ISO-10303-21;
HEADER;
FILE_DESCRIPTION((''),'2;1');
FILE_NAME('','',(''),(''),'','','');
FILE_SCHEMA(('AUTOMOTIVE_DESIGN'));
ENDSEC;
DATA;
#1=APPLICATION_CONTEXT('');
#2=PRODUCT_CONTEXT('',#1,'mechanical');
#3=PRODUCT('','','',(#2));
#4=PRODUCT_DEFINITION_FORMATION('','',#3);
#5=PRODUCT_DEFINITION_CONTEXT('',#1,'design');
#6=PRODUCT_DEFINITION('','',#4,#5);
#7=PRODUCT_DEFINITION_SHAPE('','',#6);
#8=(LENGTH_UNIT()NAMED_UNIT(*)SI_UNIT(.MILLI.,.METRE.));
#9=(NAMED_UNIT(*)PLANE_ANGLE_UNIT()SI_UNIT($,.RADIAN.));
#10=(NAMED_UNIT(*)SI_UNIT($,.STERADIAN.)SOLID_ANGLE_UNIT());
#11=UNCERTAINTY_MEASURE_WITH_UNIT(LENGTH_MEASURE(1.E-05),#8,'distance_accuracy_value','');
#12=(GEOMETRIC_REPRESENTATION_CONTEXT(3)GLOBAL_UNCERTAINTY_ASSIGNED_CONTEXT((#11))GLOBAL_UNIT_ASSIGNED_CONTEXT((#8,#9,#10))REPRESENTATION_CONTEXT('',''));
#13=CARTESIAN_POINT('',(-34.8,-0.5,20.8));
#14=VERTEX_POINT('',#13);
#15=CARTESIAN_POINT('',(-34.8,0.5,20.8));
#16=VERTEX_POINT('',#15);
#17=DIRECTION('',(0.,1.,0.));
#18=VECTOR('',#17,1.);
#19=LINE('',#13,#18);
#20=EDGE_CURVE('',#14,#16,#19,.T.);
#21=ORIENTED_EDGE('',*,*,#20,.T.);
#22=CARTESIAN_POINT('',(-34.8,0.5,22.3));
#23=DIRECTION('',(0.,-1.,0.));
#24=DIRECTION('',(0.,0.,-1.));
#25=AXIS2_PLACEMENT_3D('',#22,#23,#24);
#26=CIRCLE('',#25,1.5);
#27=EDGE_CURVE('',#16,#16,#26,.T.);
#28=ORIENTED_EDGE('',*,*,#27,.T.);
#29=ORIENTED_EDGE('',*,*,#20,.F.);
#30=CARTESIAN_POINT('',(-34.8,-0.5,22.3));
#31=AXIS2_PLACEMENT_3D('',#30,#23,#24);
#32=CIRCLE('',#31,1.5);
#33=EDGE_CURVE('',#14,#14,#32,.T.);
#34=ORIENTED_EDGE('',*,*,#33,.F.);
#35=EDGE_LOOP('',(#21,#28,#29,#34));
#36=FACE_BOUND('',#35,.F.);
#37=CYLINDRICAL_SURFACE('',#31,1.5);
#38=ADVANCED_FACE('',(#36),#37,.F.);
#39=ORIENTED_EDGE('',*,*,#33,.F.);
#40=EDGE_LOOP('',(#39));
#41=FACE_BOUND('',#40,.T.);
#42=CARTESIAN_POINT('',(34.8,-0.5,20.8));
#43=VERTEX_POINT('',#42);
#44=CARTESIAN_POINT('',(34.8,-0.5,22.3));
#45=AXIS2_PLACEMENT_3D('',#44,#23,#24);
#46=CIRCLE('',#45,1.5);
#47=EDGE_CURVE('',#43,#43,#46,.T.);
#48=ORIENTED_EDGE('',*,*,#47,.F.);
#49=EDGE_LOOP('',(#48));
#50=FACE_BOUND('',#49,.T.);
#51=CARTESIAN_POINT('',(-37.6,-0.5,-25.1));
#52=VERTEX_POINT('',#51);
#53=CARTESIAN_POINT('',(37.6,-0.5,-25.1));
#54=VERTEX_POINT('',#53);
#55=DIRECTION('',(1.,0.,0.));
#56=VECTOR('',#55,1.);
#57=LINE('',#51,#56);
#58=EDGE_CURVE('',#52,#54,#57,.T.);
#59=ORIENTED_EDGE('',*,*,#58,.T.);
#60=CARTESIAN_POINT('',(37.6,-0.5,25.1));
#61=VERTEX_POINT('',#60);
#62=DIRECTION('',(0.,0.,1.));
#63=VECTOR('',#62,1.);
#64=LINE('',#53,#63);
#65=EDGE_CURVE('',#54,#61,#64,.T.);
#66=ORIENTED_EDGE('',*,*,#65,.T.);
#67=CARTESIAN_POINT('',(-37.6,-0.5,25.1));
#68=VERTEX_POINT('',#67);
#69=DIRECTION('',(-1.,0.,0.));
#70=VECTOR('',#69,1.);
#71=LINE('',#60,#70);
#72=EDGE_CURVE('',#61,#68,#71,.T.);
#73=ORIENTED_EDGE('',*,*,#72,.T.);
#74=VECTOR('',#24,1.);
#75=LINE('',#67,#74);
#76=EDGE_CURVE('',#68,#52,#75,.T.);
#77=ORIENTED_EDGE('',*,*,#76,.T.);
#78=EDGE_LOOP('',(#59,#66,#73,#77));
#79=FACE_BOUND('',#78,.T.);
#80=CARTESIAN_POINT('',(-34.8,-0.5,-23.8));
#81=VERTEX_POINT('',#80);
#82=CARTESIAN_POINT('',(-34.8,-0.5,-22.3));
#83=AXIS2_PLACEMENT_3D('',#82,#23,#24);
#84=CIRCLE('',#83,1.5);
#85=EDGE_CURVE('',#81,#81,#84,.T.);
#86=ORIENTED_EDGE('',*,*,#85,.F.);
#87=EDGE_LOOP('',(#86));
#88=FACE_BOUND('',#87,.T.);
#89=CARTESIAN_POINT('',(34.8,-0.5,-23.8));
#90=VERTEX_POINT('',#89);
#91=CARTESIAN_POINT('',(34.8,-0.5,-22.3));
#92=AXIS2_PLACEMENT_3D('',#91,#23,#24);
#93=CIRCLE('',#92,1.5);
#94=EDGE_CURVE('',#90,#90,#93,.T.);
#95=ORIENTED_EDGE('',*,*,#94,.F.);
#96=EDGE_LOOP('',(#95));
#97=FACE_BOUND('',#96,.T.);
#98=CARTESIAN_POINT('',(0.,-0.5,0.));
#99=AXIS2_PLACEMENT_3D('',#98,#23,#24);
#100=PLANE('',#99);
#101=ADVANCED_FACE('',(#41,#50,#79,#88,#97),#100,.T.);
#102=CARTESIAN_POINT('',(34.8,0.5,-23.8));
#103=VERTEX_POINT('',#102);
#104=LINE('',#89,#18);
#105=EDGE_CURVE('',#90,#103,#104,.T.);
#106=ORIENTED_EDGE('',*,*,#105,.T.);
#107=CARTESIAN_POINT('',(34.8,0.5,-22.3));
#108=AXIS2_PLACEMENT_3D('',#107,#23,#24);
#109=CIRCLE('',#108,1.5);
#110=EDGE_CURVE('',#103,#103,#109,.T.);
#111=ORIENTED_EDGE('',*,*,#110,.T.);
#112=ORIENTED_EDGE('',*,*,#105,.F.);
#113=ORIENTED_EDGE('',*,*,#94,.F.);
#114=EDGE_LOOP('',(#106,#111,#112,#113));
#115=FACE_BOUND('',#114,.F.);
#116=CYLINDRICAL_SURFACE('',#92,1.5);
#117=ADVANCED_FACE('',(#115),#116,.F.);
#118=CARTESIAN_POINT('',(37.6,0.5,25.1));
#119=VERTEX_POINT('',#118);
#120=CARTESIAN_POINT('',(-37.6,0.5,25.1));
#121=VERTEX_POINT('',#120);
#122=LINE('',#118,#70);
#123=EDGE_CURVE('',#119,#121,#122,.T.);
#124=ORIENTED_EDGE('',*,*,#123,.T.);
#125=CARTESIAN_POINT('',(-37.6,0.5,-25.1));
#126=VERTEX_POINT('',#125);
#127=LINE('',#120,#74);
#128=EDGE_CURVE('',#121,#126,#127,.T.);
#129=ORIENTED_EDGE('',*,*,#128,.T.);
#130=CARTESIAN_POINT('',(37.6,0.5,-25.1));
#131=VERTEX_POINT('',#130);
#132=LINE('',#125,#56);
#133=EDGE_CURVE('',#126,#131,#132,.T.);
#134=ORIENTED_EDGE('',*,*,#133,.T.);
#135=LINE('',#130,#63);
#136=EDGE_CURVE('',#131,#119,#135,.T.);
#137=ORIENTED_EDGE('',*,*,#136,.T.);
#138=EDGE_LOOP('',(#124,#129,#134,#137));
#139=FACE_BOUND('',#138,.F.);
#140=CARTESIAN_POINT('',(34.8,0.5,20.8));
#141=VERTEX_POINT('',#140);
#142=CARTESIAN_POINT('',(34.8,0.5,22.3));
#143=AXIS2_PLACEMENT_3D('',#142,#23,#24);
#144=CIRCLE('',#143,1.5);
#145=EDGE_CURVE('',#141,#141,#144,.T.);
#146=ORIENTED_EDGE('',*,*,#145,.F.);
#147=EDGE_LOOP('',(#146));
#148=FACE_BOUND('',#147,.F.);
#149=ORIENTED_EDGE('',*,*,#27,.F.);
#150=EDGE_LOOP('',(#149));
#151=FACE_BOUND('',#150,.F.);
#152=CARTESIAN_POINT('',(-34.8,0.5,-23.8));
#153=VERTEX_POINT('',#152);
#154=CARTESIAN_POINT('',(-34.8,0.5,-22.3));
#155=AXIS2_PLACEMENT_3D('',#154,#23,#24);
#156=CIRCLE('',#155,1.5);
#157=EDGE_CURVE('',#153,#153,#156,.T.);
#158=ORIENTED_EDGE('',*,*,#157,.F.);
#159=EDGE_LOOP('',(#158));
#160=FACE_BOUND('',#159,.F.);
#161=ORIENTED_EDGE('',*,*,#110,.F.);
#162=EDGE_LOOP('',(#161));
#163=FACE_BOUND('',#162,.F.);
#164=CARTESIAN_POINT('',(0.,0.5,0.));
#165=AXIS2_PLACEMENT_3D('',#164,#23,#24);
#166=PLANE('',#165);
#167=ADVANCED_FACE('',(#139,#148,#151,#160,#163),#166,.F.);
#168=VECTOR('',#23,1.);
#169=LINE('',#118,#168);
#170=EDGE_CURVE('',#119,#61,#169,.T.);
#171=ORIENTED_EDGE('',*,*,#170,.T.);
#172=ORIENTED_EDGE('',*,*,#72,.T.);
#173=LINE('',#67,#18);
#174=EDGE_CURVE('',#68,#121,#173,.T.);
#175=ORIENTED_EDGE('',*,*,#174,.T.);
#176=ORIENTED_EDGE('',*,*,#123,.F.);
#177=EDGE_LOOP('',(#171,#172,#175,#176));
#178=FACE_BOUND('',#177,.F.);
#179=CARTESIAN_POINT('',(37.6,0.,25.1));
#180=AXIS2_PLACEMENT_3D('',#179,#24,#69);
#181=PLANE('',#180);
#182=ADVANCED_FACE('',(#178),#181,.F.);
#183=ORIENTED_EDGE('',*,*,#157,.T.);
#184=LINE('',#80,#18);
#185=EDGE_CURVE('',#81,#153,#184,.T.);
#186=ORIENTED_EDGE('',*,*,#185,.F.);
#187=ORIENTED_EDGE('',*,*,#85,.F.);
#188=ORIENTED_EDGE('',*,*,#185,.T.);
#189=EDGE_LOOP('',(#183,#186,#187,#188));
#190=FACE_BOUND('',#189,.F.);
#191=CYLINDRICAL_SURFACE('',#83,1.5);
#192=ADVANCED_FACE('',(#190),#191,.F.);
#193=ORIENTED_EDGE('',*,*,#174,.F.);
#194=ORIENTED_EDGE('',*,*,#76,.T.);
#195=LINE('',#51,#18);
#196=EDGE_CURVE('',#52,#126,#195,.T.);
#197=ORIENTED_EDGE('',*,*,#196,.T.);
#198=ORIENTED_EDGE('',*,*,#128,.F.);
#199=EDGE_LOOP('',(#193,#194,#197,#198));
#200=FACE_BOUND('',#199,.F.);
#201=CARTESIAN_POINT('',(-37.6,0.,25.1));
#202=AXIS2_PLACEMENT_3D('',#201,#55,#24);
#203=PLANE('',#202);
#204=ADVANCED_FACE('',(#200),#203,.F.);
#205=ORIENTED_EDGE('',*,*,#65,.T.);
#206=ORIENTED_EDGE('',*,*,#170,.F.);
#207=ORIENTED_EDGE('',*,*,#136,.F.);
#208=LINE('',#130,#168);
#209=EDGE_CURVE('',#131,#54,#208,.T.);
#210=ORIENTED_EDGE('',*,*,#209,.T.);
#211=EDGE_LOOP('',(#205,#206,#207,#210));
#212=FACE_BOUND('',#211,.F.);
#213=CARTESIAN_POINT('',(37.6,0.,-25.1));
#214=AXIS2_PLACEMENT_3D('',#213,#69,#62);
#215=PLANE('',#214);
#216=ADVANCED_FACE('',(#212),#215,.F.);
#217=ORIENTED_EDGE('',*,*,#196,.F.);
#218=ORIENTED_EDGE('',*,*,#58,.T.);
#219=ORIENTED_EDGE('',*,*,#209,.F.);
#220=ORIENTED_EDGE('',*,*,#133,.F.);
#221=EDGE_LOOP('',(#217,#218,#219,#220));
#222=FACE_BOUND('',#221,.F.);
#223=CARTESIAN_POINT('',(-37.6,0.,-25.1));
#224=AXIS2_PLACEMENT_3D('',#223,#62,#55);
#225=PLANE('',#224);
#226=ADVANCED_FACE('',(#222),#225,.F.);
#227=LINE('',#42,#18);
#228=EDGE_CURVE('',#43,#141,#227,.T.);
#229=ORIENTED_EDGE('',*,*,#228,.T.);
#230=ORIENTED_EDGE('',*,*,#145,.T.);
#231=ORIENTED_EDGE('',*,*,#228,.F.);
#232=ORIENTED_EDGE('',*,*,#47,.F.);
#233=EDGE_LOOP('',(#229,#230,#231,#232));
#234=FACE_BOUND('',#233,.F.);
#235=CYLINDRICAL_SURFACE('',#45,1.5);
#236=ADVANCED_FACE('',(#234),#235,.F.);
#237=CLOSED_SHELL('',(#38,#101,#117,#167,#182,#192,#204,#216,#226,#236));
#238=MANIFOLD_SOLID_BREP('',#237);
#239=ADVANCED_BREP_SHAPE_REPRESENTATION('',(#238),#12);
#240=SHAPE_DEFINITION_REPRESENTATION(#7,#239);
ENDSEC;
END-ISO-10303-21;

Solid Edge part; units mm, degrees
sketch "Sketch1" plane through (0, 0, 0) normal (0, -1, 0) x (1, 0, 0)
  line L0 (-37.6, -25.1) -> (37.6, -25.1)
  line L1 (37.6, -25.1) -> (37.6, 25.1)
  line L2 (37.6, 25.1) -> (-37.6, 25.1)
  line L3 (-37.6, 25.1) -> (-37.6, -25.1)
extrude "Protrusion1" add sketch "Sketch1" along normal mid plane 1
sketch "Sketch2" plane through (0, -0.5, 0) normal (0, -1, 0) x (0, 0, -1)
  circle A0 centre (-22.3, 34.8) radius 1.5
  circle A1 centre (22.3, 34.8) radius 1.5
  circle A2 centre (-22.3, -34.8) radius 1.5
  circle A3 centre (22.3, -34.8) radius 1.5
  dimension "D1" = 2.8
  dimension "D2" = 3
  dimension "D3" = 2.8
extrude "Cutout1" cut sketch "Sketch2" against normal up to surface (1 mm away)
